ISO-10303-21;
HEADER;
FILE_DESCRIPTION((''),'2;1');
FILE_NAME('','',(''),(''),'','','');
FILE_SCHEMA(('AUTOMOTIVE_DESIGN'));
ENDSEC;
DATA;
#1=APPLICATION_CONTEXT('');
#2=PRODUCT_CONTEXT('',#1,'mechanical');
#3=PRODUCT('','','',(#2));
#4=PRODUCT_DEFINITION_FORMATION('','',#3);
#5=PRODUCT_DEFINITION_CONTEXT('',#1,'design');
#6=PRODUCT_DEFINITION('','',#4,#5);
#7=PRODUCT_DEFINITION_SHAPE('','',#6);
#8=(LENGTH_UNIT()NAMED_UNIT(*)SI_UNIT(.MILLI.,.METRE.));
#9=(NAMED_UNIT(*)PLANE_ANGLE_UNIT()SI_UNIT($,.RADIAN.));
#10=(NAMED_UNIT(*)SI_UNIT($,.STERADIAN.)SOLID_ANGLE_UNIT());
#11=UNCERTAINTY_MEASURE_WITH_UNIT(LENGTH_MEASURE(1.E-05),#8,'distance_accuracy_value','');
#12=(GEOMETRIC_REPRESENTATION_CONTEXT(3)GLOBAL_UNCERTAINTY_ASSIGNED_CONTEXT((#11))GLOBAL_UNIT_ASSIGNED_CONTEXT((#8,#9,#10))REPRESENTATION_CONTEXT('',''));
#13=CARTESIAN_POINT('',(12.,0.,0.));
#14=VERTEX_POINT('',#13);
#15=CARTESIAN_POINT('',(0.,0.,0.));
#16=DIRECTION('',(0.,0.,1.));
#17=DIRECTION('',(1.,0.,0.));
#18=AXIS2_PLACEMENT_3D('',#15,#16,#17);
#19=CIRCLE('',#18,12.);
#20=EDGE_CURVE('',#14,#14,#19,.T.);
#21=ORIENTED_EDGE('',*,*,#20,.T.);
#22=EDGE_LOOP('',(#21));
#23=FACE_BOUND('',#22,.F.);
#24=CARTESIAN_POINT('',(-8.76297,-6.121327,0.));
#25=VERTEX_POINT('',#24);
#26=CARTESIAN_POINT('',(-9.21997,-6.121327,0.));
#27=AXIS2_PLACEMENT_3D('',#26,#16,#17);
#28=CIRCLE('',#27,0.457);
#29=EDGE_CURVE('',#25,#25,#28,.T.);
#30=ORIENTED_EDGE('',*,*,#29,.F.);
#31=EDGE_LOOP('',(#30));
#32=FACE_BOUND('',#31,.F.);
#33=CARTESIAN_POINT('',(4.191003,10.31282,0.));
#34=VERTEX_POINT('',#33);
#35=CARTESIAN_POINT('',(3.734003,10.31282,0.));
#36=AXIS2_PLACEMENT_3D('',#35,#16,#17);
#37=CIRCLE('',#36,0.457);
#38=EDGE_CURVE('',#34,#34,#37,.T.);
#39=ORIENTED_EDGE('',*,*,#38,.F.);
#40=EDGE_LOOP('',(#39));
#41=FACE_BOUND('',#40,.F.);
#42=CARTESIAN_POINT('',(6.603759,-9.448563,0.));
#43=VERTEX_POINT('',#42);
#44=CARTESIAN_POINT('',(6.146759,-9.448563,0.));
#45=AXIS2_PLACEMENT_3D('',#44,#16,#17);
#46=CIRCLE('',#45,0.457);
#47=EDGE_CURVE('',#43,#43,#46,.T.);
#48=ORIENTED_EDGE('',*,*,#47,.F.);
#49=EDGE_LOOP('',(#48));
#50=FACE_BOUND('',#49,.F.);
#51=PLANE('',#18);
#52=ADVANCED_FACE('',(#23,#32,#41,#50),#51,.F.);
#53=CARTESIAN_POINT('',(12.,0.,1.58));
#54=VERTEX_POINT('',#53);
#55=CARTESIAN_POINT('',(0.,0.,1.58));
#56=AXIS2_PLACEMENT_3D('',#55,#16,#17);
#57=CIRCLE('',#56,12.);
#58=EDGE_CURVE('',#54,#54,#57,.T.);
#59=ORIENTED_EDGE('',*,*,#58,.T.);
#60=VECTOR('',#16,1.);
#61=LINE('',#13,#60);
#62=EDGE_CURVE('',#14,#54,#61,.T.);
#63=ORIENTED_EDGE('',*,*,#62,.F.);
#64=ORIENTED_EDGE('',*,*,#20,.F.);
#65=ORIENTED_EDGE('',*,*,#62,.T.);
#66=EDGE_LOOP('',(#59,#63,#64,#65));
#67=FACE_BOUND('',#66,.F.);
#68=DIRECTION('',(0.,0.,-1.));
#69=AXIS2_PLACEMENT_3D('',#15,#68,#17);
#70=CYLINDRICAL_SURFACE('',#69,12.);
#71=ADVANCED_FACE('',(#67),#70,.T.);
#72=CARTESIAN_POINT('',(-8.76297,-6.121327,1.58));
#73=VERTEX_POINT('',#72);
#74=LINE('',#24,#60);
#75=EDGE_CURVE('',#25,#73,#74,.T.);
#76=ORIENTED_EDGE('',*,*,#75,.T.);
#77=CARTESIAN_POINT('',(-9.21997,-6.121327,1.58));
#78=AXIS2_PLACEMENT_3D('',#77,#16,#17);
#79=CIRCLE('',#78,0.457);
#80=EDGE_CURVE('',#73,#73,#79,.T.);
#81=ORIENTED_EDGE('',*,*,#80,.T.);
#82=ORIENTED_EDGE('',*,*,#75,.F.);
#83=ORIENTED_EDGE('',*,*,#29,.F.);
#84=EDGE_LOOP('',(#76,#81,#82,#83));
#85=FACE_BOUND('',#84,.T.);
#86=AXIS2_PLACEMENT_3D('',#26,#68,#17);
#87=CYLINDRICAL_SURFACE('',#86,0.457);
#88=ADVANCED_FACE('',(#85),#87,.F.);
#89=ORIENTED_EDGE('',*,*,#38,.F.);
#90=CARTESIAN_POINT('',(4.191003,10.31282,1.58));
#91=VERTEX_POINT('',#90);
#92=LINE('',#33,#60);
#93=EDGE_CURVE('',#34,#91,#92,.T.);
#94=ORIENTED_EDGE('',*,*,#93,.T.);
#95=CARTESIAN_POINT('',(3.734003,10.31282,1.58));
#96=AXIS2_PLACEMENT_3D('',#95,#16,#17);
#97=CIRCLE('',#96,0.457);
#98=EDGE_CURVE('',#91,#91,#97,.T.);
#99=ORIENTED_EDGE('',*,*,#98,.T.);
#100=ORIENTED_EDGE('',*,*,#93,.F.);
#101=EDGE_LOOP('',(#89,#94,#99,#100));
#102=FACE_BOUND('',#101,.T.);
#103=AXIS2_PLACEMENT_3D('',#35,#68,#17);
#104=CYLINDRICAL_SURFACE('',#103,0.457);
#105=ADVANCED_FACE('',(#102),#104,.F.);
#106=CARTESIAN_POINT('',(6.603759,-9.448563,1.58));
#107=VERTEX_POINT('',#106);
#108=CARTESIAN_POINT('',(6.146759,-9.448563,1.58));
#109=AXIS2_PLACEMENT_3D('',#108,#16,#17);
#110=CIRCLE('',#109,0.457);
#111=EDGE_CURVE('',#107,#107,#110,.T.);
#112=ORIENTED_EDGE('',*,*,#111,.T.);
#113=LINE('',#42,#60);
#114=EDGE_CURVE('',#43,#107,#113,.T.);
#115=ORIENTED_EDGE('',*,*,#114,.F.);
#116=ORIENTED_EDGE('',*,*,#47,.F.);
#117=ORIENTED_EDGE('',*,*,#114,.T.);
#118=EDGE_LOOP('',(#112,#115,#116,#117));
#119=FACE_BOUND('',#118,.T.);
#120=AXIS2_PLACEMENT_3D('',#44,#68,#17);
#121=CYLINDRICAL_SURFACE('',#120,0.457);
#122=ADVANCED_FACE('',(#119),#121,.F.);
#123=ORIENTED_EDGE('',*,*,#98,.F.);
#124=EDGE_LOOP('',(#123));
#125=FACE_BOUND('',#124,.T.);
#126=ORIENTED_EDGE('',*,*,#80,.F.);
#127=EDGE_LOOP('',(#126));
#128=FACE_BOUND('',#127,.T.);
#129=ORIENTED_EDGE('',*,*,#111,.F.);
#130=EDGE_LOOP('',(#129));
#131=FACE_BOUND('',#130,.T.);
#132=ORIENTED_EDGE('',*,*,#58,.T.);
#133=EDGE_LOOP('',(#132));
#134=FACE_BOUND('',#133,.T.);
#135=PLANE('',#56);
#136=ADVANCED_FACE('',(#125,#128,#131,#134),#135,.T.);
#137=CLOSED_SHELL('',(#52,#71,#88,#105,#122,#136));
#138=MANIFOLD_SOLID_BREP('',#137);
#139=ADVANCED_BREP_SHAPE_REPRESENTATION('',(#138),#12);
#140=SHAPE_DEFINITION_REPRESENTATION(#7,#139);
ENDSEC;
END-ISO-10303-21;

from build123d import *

# Parameters (mm, degrees)
F0_R     = 12
F0_R_2   = 0.457
F1_DEPTH = 1.58


with BuildPart() as f1:
    # F0 (on Top) → F1 (new body)
    with BuildSketch(Plane.XY):
        Circle(F0_R)
        with Locations((-9.21997, -6.121327)):
            Circle(F0_R_2, mode=Mode.SUBTRACT)
        with Locations((6.146759, -9.448563)):
            Circle(F0_R_2, mode=Mode.SUBTRACT)
        with Locations((3.734003, 10.31282)):
            Circle(F0_R_2, mode=Mode.SUBTRACT)
    extrude(amount=F1_DEPTH)


solid = f1.part
